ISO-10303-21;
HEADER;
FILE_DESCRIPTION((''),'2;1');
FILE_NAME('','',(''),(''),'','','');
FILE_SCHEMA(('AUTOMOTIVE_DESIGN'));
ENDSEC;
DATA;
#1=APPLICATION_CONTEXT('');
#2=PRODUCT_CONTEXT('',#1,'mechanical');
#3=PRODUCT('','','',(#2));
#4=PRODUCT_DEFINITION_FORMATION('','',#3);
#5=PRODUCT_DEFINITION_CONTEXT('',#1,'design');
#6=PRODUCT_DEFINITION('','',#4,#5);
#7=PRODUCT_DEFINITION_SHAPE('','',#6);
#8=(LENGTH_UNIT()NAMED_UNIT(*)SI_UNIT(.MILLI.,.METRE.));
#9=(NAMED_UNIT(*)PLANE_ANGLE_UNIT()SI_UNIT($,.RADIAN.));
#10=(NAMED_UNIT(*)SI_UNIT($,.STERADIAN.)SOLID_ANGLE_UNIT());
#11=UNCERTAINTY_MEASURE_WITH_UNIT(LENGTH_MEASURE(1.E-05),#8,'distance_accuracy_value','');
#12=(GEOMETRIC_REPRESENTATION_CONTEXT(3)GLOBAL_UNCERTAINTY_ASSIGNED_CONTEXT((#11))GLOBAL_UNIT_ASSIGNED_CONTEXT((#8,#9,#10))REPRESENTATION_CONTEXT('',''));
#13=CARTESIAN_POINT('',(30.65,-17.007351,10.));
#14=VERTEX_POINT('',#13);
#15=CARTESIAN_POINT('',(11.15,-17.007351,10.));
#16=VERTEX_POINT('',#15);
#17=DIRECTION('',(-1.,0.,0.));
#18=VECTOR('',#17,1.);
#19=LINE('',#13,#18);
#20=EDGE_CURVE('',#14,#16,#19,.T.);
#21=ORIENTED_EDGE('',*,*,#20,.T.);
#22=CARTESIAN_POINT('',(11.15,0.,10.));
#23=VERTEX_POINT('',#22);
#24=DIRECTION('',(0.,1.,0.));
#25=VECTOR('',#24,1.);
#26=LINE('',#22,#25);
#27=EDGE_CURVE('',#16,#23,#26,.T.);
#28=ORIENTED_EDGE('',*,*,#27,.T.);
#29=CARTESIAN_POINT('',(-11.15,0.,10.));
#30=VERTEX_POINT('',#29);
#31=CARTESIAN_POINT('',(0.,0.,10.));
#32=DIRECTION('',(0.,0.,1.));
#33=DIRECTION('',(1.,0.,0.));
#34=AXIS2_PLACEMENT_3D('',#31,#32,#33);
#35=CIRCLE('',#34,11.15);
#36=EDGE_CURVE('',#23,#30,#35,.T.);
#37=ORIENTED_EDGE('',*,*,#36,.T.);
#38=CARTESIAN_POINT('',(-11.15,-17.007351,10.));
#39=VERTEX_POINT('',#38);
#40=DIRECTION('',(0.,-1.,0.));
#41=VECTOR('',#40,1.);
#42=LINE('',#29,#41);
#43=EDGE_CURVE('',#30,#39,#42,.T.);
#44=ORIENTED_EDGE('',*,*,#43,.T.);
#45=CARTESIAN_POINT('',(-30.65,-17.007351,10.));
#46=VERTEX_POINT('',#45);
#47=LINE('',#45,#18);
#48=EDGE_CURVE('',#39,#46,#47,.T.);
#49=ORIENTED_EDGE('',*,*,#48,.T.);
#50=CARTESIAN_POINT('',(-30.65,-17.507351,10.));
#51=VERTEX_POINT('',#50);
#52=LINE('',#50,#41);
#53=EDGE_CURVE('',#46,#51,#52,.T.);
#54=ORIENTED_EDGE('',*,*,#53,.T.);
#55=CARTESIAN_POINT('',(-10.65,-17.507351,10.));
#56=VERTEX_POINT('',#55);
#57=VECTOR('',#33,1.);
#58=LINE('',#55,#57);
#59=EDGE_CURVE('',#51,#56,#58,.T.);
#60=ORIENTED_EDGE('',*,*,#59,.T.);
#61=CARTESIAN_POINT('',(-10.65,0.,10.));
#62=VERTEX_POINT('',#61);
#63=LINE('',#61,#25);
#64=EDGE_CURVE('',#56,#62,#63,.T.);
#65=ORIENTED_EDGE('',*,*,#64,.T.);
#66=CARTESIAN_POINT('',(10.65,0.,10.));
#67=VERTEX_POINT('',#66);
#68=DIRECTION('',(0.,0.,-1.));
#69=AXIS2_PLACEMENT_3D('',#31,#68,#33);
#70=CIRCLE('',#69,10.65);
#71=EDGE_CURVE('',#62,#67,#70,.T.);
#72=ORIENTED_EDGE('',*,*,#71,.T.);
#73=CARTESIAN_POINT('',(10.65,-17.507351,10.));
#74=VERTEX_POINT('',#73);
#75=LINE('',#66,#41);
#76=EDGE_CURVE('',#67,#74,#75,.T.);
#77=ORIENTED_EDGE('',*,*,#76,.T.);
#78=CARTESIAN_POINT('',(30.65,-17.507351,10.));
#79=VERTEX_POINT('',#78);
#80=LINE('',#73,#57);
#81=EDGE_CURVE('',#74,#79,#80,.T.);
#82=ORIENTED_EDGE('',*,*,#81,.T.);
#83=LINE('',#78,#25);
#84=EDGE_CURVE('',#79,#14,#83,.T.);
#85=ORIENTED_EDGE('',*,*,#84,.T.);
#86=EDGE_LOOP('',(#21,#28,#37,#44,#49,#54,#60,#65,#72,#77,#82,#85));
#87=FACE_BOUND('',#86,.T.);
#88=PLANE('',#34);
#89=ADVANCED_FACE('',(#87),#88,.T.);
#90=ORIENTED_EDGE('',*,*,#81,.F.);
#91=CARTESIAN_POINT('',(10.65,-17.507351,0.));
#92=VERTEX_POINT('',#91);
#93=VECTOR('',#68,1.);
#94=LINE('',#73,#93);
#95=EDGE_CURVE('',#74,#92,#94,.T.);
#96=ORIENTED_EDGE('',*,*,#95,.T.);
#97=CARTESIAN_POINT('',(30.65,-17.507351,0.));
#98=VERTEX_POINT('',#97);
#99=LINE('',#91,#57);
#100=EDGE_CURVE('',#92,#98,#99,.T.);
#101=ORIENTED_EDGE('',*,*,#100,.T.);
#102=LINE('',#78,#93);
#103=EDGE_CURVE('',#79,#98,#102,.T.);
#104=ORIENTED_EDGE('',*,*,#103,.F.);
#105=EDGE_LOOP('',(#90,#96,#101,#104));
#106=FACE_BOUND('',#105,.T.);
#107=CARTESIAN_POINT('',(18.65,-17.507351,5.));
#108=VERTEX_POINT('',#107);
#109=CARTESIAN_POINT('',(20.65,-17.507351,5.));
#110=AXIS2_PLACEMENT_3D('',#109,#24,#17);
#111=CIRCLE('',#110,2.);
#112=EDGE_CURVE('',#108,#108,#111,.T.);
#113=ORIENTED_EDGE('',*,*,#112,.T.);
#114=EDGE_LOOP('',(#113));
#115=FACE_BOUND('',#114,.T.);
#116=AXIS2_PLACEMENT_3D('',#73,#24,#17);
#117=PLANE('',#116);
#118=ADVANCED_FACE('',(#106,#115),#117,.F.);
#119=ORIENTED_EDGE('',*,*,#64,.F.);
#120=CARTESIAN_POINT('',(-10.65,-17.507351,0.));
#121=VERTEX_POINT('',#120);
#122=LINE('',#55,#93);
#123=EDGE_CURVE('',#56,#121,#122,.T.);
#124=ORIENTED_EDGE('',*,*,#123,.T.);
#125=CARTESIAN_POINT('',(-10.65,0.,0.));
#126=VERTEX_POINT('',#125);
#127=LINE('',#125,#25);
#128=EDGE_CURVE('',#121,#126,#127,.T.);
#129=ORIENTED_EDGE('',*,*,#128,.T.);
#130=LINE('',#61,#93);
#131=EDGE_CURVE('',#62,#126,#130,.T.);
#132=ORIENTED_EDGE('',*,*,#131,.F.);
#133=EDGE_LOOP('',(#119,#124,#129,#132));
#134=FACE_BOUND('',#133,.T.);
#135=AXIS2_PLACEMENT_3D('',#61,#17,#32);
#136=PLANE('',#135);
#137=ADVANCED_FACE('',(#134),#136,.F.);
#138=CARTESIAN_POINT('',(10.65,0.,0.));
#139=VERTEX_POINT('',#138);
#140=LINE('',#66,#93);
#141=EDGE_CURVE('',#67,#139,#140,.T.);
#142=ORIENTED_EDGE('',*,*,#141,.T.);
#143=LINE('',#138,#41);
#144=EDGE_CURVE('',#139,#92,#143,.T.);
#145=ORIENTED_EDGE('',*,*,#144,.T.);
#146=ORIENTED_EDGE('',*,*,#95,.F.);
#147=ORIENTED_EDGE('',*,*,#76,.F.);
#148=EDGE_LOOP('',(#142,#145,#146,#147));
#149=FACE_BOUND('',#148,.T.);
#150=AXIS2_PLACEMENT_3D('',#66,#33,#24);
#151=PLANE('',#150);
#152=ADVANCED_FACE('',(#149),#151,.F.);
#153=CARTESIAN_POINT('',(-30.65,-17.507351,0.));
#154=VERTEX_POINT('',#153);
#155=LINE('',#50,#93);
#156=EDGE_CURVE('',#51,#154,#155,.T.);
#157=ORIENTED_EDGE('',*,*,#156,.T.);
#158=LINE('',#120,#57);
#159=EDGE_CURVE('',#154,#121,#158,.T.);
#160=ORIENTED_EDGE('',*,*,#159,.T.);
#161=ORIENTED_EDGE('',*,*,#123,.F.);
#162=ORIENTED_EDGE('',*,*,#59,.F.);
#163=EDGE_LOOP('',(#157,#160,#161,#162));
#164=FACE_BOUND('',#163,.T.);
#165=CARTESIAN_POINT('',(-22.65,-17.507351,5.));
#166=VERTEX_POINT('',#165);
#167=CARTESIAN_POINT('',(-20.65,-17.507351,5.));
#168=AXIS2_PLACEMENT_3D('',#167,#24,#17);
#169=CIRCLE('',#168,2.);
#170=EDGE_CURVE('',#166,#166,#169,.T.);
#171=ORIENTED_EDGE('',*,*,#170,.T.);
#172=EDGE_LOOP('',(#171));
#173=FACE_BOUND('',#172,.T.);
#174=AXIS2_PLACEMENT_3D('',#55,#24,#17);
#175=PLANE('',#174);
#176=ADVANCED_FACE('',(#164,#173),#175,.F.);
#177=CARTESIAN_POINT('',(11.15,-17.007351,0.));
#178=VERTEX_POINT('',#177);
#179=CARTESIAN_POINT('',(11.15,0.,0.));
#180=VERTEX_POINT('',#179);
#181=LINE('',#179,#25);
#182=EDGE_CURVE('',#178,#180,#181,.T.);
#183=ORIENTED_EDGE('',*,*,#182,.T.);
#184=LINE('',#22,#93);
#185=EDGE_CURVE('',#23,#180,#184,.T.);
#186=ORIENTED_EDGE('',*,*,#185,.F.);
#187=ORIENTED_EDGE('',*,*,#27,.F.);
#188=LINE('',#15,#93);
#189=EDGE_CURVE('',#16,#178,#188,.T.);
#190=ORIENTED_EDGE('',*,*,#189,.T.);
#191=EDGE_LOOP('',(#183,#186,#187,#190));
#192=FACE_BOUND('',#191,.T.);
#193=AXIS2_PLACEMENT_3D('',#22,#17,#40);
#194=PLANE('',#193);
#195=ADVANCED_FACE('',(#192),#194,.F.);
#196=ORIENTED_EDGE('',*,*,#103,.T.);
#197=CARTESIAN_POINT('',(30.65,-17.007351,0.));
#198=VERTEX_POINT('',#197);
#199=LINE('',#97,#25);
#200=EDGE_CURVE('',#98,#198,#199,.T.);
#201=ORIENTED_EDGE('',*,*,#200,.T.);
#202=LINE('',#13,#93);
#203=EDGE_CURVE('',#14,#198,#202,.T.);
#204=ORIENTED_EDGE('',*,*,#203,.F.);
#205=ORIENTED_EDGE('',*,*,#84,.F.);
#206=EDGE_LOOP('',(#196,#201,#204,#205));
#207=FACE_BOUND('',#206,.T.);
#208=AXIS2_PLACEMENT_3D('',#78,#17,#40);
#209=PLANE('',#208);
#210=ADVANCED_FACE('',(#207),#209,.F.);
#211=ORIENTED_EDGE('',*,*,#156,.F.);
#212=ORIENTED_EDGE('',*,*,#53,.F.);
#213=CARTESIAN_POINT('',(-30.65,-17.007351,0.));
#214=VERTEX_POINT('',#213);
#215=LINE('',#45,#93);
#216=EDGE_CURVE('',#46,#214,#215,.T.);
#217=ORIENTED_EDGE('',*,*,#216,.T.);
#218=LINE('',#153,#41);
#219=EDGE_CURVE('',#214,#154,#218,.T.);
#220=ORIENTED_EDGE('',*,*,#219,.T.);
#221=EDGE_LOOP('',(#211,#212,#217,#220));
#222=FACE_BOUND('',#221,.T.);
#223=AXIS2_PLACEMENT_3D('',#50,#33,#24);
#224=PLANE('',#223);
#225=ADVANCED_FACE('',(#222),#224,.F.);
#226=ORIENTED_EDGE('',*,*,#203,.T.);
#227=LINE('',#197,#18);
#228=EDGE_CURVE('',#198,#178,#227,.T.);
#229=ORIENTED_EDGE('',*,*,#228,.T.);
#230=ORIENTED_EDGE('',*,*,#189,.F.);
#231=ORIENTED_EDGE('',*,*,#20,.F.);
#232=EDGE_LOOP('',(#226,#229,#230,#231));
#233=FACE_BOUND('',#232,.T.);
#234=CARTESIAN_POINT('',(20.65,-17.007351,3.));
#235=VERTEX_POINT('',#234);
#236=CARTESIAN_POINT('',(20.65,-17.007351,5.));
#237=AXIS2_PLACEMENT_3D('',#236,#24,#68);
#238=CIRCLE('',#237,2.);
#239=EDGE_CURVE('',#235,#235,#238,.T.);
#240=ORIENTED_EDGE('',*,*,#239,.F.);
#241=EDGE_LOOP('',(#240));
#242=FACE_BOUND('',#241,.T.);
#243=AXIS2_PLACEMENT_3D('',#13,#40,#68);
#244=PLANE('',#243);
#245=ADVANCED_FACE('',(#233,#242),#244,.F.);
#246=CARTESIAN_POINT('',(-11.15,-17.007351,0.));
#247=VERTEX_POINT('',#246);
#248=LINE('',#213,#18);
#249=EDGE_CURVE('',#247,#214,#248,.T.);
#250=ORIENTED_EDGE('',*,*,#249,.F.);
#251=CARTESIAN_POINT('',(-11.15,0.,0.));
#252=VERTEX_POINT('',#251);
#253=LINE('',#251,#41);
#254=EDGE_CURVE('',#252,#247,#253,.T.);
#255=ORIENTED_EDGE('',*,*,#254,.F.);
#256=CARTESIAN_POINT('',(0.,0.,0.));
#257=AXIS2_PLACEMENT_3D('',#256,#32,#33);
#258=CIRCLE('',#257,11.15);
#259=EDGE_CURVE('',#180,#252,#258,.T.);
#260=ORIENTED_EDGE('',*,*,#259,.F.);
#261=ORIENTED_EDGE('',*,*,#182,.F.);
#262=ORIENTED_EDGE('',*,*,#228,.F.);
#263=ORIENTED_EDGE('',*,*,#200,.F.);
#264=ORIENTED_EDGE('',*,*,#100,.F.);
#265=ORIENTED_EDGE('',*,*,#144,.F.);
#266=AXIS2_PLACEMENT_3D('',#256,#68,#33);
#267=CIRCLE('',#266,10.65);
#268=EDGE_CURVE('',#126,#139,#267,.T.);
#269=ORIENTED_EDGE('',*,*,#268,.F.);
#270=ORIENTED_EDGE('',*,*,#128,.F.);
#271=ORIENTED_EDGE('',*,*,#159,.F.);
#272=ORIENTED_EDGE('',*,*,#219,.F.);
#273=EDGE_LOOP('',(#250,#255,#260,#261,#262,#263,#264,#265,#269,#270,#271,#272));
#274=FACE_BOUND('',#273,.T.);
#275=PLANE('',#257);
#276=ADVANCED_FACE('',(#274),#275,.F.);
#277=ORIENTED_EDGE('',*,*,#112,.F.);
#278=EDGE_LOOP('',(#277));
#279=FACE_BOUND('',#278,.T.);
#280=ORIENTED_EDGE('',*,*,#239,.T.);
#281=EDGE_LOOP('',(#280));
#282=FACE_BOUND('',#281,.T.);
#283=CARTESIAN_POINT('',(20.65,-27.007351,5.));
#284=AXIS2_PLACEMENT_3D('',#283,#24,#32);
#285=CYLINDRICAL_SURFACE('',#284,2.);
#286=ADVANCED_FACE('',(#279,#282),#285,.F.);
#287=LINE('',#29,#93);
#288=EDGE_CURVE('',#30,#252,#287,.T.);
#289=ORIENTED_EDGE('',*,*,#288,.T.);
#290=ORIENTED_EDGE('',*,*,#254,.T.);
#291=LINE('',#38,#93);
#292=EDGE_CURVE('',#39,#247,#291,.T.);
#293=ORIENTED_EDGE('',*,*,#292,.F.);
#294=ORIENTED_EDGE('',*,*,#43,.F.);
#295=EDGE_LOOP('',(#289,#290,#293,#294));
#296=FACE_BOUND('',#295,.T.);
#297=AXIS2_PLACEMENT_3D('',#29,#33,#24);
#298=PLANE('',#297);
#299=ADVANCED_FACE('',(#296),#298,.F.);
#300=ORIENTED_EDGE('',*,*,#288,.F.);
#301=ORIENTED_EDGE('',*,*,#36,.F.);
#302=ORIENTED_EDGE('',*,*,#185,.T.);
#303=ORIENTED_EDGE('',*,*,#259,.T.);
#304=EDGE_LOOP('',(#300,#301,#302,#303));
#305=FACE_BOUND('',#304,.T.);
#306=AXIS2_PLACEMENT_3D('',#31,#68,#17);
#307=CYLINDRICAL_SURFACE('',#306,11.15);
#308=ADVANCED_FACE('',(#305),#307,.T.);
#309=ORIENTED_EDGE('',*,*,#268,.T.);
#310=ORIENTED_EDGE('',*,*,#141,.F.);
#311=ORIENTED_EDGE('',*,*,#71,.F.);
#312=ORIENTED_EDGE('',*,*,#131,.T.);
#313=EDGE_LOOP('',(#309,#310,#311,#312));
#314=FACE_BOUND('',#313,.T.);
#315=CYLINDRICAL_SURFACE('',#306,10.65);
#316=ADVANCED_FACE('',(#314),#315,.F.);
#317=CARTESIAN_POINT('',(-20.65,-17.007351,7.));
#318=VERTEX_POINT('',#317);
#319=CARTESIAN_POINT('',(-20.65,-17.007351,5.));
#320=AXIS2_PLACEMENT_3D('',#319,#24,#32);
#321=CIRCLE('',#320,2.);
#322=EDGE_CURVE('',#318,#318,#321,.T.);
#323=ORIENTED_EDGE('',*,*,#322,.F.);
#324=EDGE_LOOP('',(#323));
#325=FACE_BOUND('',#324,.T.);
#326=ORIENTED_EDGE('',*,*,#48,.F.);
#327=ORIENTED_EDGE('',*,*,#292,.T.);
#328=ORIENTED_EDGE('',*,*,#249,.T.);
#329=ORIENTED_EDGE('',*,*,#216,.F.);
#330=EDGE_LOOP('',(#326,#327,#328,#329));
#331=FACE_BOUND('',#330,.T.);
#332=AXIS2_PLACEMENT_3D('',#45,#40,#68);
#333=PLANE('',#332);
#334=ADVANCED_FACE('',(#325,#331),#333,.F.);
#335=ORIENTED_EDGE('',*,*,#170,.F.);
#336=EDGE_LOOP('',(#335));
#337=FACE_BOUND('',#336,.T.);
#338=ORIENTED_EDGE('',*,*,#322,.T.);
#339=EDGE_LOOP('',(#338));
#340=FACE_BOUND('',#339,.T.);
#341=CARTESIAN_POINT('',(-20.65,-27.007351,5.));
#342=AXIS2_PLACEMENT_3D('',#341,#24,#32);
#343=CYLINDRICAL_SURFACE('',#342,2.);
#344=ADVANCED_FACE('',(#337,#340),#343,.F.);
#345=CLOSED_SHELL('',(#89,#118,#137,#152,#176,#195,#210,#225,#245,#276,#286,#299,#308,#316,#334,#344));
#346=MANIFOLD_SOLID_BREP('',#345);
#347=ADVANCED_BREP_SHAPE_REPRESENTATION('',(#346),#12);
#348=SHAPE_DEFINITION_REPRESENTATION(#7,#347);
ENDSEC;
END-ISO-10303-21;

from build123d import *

# Parameters (mm, degrees)
SALIENTE_EXTRUIR1_DEPTH = 10
CROQUIS2_R              = 2
CORTAR_EXTRUIR1_DEPTH   = 10


with BuildPart() as part:
    # Croquis1 → Saliente-Extruir1 (new body)
    with BuildSketch(Plane.XY):
        with BuildLine():
            Line((-11.15, 0), (-11.15, -17.007351352))
            Line((-11.15, -17.007351352), (-30.65, -17.007351352))
            Line((-30.65, -17.007351352), (-30.65, -17.507351352))
            Line((-30.65, -17.507351352), (-10.65, -17.507351352))
            Line((-10.65, -17.507351352), (-10.65, 0))
            ThreePointArc((-10.65, 0), (0, 10.65), (10.65, 0))
            Line((10.65, 0), (10.65, -17.507351352))
            Line((10.65, -17.507351352), (30.65, -17.507351352))
            Line((30.65, -17.507351352), (30.65, -17.007351352))
            Line((30.65, -17.007351352), (11.15, -17.007351352))
            Line((11.15, -17.007351352), (11.15, 0))
            ThreePointArc((11.15, 0), (0, 11.15), (-11.15, 0))
        make_face()
    extrude(amount=SALIENTE_EXTRUIR1_DEPTH)

    # Croquis2 → Cortar-Extruir1 (cut)
    with BuildSketch(Plane(origin=(0, -17.007351352, 0), x_dir=(1, 0, 0), z_dir=(0, 1, 0))):
        with Locations(Location((-20.65, -5, 0), (0, 0, 270))):
            Circle(CROQUIS2_R)
        with Locations(Location((20.65, -5, 0), (0, 0, 180))):
            Circle(CROQUIS2_R)
    extrude(amount=-CORTAR_EXTRUIR1_DEPTH, mode=Mode.SUBTRACT)


solid = part.part
